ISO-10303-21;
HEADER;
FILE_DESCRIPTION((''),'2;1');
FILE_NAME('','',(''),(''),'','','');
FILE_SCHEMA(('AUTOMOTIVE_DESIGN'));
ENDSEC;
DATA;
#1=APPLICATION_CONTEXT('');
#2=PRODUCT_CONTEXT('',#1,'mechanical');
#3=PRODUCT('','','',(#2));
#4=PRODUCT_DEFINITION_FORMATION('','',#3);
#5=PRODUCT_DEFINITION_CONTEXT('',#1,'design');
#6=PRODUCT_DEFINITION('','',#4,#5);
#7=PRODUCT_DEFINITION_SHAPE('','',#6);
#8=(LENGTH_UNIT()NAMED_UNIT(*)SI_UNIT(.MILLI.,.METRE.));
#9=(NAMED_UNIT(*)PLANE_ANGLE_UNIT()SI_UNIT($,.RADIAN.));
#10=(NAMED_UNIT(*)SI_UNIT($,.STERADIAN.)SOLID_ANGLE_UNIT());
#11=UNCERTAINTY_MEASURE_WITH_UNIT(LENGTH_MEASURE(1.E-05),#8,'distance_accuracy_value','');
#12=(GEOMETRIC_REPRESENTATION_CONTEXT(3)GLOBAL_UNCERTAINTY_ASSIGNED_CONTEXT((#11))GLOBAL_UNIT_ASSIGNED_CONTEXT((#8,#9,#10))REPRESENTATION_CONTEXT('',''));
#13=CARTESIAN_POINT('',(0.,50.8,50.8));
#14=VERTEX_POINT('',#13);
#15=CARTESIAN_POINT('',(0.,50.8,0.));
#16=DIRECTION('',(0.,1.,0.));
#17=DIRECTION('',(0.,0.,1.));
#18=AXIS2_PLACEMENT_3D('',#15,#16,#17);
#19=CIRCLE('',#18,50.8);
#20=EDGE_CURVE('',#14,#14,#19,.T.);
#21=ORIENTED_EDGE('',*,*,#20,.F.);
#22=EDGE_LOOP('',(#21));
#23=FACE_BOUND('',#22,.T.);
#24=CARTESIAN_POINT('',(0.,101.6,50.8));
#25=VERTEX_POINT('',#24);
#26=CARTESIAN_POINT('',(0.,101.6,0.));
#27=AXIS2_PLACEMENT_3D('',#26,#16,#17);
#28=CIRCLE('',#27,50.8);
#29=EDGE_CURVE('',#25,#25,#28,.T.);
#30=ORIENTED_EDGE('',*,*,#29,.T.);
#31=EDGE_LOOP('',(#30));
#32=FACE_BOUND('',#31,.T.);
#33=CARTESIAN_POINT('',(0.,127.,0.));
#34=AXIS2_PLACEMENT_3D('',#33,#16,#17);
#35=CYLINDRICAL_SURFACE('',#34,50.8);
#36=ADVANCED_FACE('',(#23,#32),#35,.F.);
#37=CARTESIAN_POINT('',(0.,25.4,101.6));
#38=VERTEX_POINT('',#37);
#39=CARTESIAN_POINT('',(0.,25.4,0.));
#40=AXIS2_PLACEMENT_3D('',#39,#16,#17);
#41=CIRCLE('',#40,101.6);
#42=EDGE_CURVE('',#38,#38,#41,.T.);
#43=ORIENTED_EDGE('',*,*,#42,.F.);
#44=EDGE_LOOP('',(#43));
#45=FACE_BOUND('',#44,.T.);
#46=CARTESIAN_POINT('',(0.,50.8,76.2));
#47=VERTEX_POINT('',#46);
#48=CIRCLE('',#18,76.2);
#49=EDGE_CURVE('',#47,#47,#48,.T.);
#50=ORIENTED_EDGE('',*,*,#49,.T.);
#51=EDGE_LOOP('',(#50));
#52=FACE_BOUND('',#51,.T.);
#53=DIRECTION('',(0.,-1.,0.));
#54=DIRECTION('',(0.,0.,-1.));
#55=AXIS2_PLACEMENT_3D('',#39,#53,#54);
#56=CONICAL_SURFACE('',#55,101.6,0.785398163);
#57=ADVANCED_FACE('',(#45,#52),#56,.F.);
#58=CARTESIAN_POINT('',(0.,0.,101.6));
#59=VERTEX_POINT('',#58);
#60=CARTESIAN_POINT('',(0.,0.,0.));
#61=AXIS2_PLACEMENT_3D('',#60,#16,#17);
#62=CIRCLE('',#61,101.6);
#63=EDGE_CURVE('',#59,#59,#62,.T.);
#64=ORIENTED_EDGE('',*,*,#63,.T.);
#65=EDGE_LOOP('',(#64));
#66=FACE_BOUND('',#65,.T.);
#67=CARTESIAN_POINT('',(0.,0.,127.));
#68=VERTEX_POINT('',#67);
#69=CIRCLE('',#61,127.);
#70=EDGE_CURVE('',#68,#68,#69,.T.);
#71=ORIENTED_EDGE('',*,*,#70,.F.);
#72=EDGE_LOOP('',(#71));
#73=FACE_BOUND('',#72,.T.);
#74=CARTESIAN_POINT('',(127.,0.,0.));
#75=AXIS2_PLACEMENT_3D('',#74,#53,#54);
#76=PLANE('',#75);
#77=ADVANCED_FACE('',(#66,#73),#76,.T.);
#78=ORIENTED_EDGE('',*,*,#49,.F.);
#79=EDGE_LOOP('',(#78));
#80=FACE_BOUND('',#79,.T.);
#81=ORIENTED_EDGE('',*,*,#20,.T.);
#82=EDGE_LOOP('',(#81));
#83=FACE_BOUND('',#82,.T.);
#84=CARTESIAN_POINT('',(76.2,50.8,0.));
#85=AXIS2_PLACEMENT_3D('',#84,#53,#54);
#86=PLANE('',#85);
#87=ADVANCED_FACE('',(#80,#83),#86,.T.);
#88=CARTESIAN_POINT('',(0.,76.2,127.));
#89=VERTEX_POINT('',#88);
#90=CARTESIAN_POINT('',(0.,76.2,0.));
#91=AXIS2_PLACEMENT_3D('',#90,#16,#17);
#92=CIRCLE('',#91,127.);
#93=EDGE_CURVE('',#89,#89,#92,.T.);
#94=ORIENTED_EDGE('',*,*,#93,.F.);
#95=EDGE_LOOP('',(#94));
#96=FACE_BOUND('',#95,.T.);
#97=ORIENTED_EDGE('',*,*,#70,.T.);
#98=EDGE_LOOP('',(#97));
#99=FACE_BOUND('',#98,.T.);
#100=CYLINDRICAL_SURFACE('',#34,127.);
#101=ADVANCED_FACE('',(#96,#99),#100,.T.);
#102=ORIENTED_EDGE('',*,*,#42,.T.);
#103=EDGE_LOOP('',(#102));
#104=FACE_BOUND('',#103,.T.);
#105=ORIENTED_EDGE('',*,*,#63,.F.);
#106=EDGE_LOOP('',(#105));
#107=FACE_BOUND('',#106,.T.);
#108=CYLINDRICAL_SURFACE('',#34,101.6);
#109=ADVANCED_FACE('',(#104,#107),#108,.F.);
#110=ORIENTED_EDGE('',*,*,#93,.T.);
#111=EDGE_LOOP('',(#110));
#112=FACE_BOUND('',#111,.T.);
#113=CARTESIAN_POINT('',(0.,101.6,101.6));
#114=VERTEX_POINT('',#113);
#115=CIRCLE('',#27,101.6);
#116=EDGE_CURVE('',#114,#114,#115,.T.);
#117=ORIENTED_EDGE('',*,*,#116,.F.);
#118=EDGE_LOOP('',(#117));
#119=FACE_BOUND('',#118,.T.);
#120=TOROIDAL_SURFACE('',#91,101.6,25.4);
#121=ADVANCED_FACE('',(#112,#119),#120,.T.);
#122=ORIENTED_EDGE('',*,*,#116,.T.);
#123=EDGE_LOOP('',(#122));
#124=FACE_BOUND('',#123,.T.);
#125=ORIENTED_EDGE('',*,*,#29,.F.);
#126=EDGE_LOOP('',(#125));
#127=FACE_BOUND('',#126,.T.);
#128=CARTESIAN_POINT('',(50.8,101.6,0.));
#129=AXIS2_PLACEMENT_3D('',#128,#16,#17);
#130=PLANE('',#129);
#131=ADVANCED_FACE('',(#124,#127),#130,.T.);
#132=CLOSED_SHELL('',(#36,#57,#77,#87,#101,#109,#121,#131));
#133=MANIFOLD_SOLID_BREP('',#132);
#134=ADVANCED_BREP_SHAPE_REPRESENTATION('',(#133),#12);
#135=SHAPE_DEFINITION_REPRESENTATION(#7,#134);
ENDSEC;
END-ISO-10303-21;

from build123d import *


with BuildPart() as part:
    # Sketch1 → Base-Revolve (revolve)
    with BuildSketch(Plane.XY, mode=Mode.PRIVATE) as base_revolve_sk:
        with BuildLine():
            Line((50.8, 101.6), (50.8, 50.8))
            Line((50.8, 50.8), (76.2, 50.8))
            Line((76.2, 50.8), (101.6, 25.4))
            Line((101.6, 25.4), (101.6, 0))
            Line((101.6, 0), (127, 0))
            Line((127, 0), (127, 76.2))
            ThreePointArc((127, 76.2), (119.560512242, 94.160512242), (101.6, 101.6))
            Line((101.6, 101.6), (50.8, 101.6))
        make_face()
    revolve(base_revolve_sk.sketch.rotate(Axis((0, 127, 0), (0, -1, 0)), 90), axis=Axis((0, 127, 0), (0, -1, 0)))  # turned: the seam where the file's is


solid = part.part
